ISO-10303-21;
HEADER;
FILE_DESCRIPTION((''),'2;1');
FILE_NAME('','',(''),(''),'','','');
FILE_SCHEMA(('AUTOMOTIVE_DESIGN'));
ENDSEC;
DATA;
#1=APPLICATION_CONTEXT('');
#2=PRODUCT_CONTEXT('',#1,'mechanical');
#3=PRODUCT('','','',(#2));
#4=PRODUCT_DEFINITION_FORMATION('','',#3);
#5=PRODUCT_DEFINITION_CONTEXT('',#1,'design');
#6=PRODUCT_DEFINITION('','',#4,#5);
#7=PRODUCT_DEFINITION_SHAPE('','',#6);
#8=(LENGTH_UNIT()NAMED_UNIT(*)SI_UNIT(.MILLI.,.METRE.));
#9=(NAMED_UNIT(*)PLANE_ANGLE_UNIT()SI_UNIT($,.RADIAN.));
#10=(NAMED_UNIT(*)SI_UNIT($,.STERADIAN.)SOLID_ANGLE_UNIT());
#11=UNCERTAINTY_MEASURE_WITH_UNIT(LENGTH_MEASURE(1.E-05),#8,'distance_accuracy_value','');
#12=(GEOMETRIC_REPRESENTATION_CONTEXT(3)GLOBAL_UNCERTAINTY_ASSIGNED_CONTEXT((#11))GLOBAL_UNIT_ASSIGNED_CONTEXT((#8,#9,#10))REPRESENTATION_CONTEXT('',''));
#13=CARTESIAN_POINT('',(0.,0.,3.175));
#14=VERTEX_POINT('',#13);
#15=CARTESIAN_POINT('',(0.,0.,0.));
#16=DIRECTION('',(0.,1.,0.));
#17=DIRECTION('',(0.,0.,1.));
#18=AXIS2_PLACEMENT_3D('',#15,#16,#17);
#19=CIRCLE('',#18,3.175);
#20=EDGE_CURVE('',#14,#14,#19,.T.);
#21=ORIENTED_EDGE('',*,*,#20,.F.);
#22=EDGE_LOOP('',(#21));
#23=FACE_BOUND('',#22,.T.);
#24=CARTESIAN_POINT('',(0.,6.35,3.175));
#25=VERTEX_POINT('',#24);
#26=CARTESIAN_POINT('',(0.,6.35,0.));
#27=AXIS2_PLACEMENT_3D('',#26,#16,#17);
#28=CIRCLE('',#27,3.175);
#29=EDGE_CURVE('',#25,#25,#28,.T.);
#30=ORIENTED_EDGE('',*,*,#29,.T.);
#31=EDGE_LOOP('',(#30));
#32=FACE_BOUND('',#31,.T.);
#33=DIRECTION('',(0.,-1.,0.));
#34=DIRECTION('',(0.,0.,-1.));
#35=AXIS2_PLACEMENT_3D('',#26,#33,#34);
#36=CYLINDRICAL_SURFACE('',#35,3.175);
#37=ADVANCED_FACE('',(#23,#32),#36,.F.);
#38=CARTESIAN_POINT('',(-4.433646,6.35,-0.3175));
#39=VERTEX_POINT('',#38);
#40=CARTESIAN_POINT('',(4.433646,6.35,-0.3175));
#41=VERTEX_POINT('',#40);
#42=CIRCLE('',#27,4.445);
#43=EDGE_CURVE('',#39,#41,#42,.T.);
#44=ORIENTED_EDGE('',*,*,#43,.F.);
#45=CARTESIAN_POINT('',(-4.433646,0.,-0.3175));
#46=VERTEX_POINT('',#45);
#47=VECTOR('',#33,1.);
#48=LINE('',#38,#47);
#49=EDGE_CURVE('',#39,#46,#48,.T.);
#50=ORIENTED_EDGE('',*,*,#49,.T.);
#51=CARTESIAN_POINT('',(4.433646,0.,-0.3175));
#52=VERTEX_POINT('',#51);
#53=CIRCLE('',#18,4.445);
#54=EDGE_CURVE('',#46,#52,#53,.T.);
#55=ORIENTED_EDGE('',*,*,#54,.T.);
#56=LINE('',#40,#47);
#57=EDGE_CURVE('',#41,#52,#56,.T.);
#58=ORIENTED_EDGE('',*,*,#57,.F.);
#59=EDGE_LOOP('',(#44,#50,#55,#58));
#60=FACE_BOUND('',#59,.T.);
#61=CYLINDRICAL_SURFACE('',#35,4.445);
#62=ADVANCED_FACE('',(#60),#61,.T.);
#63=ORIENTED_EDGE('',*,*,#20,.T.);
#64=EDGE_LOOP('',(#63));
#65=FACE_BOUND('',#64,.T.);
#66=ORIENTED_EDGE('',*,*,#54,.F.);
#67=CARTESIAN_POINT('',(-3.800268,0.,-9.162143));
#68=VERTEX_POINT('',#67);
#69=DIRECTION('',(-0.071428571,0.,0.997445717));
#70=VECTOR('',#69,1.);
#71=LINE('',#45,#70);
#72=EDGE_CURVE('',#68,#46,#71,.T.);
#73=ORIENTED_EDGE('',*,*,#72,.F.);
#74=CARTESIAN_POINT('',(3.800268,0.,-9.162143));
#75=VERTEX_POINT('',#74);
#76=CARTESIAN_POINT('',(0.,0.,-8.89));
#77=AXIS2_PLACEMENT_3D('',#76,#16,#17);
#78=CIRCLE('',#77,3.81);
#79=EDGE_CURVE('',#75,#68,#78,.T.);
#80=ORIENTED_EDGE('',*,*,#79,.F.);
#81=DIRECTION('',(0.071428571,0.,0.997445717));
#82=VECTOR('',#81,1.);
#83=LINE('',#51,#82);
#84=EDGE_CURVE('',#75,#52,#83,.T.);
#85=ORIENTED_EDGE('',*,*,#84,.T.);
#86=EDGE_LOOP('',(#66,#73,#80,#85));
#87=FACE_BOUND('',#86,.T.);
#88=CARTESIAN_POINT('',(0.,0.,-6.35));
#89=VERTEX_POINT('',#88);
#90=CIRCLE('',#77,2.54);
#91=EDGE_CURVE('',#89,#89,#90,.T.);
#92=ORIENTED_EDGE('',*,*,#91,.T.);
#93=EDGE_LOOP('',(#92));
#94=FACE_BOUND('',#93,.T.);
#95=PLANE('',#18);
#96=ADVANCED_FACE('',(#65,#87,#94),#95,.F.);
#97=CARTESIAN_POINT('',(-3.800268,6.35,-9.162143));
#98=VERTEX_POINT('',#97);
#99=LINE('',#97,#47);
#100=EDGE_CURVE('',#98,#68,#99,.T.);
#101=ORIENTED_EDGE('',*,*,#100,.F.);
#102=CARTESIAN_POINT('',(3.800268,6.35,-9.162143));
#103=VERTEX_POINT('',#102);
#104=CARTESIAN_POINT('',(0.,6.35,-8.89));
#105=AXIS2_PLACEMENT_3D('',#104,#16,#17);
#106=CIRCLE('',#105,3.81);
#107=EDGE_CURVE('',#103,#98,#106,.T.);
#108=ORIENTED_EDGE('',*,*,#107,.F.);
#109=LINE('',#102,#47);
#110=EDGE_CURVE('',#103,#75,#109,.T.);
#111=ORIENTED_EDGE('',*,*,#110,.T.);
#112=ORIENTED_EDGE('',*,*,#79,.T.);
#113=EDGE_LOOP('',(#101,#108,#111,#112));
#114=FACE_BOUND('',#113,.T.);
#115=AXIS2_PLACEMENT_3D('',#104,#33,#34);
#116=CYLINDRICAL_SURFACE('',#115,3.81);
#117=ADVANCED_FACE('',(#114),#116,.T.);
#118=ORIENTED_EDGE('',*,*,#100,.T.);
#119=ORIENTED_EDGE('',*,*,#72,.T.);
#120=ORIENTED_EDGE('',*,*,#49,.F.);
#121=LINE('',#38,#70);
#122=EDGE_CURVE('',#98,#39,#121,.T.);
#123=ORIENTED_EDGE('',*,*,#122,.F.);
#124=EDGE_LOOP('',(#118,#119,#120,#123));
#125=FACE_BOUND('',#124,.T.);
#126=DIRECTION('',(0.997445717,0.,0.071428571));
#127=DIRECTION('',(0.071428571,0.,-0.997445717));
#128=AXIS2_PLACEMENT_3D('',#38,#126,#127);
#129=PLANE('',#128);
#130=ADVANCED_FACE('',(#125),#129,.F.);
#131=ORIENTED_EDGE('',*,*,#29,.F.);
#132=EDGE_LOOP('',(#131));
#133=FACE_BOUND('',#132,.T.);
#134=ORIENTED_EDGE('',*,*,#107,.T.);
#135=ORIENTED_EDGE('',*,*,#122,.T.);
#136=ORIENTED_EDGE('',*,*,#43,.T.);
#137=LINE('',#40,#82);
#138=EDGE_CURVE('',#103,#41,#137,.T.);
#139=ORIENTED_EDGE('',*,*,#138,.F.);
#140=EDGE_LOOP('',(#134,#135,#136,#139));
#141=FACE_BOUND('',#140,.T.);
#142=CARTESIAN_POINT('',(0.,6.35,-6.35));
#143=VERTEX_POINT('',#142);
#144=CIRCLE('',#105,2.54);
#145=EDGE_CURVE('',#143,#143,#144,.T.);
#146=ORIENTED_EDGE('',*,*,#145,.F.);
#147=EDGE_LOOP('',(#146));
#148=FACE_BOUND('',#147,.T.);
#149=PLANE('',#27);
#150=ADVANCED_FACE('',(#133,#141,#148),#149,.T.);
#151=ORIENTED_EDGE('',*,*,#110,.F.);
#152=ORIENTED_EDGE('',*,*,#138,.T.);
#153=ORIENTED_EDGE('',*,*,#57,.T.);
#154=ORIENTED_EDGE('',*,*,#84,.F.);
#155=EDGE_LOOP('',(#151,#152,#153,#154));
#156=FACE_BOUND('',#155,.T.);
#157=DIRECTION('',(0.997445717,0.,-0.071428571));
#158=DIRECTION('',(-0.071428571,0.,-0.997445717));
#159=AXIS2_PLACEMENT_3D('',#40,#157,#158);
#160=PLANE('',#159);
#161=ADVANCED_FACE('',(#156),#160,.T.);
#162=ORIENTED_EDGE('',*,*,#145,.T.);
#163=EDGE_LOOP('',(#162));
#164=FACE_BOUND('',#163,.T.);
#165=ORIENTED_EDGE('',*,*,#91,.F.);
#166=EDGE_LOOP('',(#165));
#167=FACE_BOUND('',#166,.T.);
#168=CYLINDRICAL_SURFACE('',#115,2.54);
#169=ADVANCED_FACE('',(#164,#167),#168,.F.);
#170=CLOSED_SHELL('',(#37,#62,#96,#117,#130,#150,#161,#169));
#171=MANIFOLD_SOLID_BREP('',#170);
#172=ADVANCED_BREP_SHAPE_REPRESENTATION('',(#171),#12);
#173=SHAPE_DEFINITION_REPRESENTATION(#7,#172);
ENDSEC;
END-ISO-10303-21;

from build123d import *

# Parameters (mm, degrees)
SKETCH1_R           = 2.54
SKETCH1_R_2         = 3.175
BOSS_EXTRUDE1_DEPTH = 6.35


with BuildPart() as part:
    # Sketch1 → Boss-Extrude1 (new body)
    with BuildSketch(Plane(origin=(0, 0, 0), x_dir=(1, 0, 0), z_dir=(0, 1, 0))):
        with BuildLine():
            Line((4.433646214, 0.3175), (3.800268183, 9.162142857))
            ThreePointArc((3.800268183, 9.162142857), (0, 12.7), (-3.800268183, 9.162142857))
            Line((-3.800268183, 9.162142857), (-4.433646214, 0.3175))
            ThreePointArc((-4.433646214, 0.3175), (0, -4.445), (4.433646214, 0.3175))
        make_face()
        with Locations((0, 8.89)):
            Circle(SKETCH1_R, mode=Mode.SUBTRACT)
        Circle(SKETCH1_R_2, mode=Mode.SUBTRACT)
    extrude(amount=BOSS_EXTRUDE1_DEPTH)


solid = part.part
